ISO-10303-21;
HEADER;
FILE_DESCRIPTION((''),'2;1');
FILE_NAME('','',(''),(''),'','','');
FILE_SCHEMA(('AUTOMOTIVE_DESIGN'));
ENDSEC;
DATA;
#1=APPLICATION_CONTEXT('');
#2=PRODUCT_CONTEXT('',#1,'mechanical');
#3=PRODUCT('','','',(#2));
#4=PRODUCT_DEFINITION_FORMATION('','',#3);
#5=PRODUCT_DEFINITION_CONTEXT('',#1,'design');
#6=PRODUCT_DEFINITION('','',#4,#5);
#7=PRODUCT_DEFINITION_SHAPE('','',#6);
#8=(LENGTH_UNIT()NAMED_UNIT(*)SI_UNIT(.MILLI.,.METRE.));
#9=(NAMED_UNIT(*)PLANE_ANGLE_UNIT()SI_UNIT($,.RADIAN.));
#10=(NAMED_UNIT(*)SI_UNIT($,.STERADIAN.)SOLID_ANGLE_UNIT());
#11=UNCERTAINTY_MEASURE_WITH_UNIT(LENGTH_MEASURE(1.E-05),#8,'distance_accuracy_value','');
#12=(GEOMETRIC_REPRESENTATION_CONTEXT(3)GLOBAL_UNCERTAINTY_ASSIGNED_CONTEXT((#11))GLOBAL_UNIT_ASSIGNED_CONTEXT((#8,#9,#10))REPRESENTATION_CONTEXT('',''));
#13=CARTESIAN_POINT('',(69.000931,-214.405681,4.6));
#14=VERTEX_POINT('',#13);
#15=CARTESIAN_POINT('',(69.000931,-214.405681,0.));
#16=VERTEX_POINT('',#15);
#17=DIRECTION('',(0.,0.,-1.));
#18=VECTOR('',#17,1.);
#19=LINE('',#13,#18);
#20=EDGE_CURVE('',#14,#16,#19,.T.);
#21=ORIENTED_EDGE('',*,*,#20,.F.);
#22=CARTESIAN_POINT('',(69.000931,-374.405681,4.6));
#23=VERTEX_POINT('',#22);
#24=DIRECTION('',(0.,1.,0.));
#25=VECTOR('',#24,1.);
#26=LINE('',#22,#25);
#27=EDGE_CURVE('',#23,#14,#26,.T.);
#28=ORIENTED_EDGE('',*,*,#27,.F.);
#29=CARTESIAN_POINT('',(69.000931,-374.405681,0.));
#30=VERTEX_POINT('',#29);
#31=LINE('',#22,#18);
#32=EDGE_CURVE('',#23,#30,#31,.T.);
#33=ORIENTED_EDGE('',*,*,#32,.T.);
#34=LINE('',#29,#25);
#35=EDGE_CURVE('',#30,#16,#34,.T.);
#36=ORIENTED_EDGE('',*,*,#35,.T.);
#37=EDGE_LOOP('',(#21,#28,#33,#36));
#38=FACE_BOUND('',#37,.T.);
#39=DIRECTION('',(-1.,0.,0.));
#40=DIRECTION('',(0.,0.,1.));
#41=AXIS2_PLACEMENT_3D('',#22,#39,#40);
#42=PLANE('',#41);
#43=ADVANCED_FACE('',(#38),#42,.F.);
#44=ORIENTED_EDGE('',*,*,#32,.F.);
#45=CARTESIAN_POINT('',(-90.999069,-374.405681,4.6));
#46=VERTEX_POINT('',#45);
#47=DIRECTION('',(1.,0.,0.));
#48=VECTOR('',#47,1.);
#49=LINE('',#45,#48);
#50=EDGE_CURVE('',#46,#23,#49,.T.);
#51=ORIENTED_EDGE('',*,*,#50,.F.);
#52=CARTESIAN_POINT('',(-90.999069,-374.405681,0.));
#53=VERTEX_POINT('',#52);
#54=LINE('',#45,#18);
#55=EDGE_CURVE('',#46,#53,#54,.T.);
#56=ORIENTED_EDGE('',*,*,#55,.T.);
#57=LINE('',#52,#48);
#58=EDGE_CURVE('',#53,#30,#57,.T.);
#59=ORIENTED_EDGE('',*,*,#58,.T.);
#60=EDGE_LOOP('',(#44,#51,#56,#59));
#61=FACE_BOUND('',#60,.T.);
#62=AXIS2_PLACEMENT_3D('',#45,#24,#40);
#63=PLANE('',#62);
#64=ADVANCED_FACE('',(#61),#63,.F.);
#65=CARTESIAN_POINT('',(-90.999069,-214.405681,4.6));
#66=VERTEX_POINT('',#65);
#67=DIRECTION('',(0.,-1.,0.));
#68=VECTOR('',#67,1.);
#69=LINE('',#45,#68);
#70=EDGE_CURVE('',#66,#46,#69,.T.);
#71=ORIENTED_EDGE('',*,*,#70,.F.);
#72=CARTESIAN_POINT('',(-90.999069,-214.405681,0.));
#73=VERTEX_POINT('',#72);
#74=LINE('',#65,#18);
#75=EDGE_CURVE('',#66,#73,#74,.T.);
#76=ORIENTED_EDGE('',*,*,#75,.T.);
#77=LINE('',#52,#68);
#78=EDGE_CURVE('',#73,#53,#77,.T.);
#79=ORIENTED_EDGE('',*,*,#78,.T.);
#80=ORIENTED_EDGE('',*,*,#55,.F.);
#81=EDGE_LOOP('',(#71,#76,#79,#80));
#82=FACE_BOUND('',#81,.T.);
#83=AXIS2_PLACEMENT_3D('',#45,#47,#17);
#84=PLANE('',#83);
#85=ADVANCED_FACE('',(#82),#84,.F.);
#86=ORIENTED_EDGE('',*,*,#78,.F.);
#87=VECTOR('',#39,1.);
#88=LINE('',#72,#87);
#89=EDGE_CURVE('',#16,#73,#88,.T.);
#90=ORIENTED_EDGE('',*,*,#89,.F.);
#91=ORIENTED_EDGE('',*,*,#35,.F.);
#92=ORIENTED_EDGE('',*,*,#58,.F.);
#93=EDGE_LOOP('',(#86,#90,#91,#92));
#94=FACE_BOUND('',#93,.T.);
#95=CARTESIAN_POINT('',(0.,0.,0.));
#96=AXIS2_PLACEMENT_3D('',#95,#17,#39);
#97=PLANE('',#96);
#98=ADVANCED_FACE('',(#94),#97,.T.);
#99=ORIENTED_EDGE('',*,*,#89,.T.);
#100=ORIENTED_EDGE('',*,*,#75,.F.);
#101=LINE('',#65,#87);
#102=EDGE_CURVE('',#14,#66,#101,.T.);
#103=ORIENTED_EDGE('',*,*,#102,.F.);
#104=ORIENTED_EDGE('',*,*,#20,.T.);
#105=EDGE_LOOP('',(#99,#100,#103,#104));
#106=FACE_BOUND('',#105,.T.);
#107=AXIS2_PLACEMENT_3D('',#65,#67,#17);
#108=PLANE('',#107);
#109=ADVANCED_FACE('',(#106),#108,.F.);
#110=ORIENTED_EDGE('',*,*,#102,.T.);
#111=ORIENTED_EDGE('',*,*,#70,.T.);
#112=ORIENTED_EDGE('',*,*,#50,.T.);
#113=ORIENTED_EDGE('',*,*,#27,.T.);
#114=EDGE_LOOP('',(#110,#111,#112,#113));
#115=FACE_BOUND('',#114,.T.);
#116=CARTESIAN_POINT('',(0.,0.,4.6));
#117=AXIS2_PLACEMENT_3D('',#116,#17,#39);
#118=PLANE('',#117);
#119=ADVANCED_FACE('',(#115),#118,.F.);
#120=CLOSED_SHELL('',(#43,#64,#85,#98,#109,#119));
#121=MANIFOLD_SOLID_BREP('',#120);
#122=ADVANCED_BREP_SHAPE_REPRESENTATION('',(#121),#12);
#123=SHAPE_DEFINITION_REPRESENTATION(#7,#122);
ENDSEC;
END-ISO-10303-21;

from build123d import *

# Parameters (mm, degrees)
SKETCH1_W           = 160
SKETCH1_H           = 160
BOSS_EXTRUDE1_DEPTH = 4.6


with BuildPart() as part:
    # Sketch1 → Boss-Extrude1 (new body)
    with BuildSketch(Plane.XY):
        with Locations((-10.999068873, -294.405681156)):
            Rectangle(SKETCH1_W, SKETCH1_H)
    extrude(amount=BOSS_EXTRUDE1_DEPTH)


solid = part.part
